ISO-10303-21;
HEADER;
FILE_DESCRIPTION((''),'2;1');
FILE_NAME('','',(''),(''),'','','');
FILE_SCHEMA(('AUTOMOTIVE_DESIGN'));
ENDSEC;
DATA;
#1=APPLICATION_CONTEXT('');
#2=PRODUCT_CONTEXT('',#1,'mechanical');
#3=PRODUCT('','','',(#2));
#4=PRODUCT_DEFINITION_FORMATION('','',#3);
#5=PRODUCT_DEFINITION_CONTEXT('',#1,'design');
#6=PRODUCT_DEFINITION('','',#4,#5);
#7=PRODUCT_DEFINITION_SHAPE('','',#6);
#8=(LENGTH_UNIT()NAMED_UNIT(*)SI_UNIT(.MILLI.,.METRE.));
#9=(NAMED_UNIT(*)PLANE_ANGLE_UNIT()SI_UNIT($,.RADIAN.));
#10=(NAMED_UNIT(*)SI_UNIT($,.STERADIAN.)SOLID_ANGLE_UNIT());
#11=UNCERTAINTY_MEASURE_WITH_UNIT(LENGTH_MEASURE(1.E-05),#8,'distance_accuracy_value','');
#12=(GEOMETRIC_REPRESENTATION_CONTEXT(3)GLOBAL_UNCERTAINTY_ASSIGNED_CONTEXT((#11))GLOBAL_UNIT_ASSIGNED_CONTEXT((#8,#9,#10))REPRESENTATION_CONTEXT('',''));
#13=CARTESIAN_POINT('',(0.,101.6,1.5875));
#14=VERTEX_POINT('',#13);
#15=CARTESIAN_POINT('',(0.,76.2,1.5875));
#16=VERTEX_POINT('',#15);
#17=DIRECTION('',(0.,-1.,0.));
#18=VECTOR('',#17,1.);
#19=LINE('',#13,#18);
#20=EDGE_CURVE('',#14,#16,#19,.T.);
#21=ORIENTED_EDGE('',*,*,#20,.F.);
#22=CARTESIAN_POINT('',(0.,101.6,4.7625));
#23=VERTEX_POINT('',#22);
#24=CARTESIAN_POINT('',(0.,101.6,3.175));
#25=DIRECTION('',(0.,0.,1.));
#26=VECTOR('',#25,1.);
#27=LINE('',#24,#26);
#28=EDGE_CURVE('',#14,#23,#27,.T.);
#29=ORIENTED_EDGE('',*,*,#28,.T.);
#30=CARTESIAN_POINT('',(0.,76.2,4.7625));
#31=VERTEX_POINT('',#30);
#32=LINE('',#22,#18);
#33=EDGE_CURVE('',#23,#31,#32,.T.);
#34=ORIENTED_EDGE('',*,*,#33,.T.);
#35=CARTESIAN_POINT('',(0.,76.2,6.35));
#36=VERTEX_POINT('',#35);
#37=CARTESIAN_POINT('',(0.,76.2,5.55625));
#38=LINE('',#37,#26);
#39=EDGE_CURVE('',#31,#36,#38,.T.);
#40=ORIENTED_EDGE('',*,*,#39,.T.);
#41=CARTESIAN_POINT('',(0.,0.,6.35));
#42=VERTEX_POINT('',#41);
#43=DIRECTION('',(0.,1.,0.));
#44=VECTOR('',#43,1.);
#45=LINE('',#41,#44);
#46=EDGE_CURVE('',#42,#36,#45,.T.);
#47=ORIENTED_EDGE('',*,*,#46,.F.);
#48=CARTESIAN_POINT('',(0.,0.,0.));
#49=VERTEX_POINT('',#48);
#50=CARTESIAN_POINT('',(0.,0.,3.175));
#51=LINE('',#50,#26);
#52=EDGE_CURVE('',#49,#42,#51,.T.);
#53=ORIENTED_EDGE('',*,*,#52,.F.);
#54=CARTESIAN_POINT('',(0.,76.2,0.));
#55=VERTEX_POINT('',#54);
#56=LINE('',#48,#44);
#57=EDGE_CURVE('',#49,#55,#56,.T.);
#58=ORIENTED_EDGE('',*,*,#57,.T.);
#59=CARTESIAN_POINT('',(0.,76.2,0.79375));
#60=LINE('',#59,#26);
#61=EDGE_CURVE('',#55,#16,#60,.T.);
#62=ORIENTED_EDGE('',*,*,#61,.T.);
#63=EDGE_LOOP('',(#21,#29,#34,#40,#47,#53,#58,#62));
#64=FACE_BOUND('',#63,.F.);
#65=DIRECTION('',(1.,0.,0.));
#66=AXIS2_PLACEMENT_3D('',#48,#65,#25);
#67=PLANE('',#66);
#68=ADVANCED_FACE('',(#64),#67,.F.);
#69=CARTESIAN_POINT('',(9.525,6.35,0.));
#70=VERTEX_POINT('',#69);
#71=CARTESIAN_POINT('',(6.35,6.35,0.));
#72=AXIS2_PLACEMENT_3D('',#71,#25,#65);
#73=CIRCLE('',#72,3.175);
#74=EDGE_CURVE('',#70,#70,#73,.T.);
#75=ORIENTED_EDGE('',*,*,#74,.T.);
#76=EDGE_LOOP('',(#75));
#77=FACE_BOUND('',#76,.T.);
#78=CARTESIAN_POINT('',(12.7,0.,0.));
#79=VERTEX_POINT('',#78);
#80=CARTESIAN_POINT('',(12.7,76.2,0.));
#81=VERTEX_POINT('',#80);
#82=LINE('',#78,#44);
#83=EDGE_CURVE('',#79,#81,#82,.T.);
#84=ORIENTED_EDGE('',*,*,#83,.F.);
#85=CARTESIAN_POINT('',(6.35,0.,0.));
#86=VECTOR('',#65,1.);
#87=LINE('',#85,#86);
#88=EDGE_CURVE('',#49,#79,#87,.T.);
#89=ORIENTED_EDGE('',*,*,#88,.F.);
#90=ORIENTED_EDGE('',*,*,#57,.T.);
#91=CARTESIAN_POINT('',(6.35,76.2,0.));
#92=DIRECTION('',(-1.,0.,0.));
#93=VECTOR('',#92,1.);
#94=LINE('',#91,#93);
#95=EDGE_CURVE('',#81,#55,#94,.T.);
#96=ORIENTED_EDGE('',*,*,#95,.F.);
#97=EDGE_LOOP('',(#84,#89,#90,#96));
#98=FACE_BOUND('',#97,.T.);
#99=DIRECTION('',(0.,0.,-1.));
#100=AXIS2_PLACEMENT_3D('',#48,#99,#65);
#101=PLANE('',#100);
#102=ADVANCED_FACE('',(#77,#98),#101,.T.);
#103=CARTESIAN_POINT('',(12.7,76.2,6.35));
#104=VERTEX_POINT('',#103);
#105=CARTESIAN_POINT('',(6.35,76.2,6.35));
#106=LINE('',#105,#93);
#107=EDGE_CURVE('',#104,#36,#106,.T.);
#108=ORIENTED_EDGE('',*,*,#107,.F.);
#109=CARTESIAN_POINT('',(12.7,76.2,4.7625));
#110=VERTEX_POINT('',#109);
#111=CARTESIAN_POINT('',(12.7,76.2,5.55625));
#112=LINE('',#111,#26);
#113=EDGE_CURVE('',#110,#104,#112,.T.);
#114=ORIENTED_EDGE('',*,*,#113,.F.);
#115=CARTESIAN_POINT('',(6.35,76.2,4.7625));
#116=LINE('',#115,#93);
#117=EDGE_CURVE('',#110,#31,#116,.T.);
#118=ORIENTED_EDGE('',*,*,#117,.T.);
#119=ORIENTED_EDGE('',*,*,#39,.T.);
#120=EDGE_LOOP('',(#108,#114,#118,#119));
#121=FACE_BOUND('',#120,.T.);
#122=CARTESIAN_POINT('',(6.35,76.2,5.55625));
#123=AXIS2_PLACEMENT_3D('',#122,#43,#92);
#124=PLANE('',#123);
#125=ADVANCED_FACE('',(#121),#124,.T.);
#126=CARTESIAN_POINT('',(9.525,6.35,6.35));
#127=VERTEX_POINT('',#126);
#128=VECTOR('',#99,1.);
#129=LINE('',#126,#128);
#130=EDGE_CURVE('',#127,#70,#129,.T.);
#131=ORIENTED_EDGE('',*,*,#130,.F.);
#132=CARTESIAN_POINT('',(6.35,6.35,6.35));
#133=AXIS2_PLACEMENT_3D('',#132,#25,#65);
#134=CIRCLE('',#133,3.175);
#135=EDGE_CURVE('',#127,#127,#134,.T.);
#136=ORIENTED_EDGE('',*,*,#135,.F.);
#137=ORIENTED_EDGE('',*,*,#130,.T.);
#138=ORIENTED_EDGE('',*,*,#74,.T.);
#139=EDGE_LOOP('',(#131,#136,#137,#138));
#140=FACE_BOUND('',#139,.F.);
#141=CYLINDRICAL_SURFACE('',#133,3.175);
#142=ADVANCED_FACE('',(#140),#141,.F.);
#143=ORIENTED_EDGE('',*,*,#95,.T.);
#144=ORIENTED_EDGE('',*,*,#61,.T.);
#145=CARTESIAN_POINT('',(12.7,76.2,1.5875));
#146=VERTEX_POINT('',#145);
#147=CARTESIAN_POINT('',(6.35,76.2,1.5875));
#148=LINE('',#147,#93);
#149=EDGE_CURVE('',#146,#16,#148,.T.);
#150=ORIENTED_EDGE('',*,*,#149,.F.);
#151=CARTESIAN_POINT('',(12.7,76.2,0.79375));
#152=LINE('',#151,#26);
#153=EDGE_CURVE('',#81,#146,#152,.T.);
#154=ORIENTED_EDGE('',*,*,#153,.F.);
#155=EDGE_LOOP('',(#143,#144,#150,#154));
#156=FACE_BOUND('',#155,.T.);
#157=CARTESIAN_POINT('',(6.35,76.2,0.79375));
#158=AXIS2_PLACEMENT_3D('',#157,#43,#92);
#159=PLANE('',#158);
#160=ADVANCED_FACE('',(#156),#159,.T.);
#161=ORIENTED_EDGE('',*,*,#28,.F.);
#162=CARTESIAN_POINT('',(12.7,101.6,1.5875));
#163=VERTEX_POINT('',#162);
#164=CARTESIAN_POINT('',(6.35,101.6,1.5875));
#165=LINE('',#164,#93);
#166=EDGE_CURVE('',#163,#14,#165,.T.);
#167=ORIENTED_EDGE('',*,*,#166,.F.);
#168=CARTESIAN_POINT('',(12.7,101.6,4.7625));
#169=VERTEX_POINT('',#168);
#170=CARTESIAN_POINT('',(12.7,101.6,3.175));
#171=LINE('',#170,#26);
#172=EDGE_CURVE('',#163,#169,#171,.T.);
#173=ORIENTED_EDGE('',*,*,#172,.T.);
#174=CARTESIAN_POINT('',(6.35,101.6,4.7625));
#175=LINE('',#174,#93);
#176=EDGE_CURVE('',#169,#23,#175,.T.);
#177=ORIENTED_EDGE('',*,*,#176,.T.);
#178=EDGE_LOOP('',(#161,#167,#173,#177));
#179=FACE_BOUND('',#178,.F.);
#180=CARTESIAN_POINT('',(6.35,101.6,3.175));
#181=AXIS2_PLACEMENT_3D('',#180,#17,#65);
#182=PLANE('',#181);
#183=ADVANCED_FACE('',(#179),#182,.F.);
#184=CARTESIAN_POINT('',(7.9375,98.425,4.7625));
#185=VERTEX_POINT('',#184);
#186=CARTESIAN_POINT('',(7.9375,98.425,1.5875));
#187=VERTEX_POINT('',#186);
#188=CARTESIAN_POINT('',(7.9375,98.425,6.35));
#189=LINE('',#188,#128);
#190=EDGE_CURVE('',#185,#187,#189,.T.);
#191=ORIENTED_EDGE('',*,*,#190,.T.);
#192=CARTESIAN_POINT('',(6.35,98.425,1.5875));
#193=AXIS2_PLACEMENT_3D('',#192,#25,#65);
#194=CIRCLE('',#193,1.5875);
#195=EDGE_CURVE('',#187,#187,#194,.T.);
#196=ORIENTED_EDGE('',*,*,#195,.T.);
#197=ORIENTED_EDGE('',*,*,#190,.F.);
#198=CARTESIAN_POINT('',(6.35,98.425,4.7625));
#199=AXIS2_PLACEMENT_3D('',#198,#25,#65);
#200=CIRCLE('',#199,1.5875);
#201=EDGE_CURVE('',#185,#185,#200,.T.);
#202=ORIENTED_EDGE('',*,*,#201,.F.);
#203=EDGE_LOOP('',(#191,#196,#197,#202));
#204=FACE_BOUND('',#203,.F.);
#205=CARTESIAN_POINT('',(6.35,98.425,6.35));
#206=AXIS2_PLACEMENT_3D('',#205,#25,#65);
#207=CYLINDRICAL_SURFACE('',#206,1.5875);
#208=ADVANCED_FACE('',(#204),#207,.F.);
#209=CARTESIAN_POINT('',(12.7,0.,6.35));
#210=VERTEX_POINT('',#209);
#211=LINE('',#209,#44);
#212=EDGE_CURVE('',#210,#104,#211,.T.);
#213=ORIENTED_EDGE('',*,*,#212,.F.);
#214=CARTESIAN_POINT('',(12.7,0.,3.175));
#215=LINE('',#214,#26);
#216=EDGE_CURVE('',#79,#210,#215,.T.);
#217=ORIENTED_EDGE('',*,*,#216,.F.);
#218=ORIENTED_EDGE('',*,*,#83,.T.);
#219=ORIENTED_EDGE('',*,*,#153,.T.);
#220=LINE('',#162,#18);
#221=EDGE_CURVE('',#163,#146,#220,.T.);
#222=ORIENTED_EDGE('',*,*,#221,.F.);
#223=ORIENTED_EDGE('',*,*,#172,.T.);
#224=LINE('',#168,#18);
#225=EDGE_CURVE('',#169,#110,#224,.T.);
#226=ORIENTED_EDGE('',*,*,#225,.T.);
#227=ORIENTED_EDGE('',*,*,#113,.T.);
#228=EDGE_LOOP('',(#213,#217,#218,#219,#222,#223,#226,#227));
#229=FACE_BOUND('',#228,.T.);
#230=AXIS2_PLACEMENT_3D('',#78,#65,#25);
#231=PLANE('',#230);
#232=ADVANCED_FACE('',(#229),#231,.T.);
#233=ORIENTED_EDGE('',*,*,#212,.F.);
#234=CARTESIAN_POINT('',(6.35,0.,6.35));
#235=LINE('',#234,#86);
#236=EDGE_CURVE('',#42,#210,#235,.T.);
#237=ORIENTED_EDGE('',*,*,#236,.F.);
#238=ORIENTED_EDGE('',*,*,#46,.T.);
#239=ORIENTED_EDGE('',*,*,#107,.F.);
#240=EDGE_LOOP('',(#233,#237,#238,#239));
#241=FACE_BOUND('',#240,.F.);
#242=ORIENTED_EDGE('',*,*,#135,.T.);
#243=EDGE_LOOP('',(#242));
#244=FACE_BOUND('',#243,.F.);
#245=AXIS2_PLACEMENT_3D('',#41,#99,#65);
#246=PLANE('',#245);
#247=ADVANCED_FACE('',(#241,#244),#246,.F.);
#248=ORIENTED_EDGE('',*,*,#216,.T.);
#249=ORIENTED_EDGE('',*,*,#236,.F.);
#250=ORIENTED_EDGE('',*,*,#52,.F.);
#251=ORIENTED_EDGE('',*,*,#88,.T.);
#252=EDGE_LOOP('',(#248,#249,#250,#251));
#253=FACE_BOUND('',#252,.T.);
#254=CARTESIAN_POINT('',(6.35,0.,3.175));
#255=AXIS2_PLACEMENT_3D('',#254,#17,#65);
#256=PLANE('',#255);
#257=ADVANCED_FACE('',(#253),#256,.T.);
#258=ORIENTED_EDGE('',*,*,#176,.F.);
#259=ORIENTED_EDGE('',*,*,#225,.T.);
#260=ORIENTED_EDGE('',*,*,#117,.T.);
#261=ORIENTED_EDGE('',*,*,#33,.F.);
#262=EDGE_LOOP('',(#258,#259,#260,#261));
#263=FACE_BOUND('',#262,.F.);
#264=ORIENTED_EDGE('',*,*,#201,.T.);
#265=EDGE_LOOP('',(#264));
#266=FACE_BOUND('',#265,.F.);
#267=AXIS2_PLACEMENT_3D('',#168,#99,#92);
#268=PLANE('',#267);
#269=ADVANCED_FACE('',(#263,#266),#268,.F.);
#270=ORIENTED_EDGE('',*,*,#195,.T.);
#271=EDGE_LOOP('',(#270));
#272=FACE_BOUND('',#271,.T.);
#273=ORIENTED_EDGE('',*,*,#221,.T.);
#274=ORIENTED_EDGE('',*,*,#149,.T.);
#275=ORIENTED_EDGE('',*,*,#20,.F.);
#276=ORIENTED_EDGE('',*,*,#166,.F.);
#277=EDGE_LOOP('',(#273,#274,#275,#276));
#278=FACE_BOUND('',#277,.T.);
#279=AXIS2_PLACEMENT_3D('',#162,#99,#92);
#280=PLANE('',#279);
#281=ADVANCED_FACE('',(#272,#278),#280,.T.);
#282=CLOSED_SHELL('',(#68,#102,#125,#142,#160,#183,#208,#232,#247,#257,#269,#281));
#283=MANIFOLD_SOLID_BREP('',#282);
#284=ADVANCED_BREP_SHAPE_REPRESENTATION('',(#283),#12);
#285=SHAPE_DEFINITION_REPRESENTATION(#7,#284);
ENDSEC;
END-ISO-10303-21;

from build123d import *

# Parameters (mm, degrees)
F0_W     = 12.7
F0_H     = 6.35
F1_DEPTH = 101.6
F2_R     = 1.5875
F2_R_2   = 3.175
F3_DEPTH = 6.351
F4_W     = 12.7
F4_H     = 1.5875
F5_DEPTH = 25.4


with BuildPart() as f1:
    # F0 (on Front) → F1 (new body)
    with BuildSketch(Plane.XZ):
        with Locations((6.35, 3.175)):
            Rectangle(F0_W, F0_H)
    extrude(amount=-F1_DEPTH)

    # F2 (on face) → F3 (cut, through all)
    with BuildSketch(Plane.XY.offset(6.35)):
        with Locations((6.35, 98.425)):
            Circle(F2_R)
        with Locations((6.35, 6.35)):
            Circle(F2_R_2)
    extrude(amount=-F3_DEPTH, mode=Mode.SUBTRACT)

    # F4 (on face) → F5 (cut)
    with BuildSketch(Plane(origin=(0, 101.6, 0), x_dir=(-1, 0, 0), z_dir=(0, 1, 0))):
        with Locations((-6.35, 5.55625)):
            Rectangle(F4_W, F4_H)
        with Locations((-6.35, 0.79375)):
            Rectangle(F4_W, F4_H)
    extrude(amount=-F5_DEPTH, mode=Mode.SUBTRACT)


solid = f1.part
